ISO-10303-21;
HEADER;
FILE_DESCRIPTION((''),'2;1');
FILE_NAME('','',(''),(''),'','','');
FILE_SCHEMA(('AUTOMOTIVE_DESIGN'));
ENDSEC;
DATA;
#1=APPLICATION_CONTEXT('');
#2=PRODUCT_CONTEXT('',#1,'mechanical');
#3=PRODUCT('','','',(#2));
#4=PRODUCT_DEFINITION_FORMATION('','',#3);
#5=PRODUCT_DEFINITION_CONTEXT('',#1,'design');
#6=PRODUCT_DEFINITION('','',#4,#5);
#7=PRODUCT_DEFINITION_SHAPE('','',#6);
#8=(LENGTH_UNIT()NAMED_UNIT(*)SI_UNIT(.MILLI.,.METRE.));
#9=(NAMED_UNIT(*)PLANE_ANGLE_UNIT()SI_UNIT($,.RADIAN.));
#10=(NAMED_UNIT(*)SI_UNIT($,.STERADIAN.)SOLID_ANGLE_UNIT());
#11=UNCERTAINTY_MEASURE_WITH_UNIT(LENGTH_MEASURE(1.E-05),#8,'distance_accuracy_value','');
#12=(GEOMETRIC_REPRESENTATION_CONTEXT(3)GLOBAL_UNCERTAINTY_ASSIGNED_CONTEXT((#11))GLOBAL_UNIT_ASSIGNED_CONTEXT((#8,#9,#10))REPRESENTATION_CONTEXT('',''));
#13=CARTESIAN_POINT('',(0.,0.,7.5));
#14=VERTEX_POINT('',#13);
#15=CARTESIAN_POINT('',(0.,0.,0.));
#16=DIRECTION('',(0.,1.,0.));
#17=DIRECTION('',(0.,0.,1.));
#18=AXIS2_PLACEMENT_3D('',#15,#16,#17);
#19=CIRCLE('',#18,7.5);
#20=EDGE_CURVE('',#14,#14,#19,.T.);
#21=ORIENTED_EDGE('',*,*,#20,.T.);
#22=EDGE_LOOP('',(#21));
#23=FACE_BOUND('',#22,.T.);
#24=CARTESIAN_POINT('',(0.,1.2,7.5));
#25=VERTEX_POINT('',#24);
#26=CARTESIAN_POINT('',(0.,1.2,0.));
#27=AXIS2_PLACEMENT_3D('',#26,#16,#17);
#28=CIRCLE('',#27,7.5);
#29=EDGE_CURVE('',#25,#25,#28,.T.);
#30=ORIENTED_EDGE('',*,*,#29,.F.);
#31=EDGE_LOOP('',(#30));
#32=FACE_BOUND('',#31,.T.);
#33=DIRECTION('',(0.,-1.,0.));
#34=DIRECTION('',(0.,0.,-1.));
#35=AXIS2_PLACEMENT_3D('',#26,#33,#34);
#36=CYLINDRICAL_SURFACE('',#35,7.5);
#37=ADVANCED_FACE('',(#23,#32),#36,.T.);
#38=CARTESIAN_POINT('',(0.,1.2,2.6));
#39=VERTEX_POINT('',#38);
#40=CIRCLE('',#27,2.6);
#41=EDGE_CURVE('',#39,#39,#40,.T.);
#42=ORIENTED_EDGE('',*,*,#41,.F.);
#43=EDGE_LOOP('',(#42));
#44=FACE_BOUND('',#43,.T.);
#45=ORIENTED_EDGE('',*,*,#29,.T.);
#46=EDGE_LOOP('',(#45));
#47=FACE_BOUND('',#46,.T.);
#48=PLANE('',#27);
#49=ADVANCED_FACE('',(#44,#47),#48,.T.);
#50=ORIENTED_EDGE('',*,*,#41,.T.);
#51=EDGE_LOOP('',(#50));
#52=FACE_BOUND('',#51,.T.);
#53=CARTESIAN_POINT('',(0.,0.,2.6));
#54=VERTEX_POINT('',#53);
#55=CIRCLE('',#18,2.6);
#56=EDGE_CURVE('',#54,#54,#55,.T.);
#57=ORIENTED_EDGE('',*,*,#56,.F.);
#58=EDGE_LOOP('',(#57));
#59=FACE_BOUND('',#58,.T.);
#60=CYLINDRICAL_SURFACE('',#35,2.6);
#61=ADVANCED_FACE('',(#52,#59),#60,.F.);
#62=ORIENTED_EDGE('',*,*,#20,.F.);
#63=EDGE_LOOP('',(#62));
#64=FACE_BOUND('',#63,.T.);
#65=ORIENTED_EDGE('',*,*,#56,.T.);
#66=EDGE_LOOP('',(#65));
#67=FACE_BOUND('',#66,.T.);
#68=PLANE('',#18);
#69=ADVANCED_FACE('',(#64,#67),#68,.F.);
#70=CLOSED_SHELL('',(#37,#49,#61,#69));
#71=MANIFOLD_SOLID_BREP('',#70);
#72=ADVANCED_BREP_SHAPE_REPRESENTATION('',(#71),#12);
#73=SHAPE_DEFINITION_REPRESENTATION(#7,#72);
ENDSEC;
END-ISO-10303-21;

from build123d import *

# Parameters (mm, degrees)
SKETCH_1_R      = 7.5
SKETCH_1_R_2    = 2.6
EXTRUDE_1_DEPTH = 1.2


with BuildPart() as part:
    # 草图1 → 凸台-拉伸1 (new body)
    with BuildSketch(Plane(origin=(0, 0, 0), x_dir=(1, 0, 0), z_dir=(0, 1, 0))):
        Circle(SKETCH_1_R)
        Circle(SKETCH_1_R_2, mode=Mode.SUBTRACT)
    extrude(amount=EXTRUDE_1_DEPTH)


solid = part.part
